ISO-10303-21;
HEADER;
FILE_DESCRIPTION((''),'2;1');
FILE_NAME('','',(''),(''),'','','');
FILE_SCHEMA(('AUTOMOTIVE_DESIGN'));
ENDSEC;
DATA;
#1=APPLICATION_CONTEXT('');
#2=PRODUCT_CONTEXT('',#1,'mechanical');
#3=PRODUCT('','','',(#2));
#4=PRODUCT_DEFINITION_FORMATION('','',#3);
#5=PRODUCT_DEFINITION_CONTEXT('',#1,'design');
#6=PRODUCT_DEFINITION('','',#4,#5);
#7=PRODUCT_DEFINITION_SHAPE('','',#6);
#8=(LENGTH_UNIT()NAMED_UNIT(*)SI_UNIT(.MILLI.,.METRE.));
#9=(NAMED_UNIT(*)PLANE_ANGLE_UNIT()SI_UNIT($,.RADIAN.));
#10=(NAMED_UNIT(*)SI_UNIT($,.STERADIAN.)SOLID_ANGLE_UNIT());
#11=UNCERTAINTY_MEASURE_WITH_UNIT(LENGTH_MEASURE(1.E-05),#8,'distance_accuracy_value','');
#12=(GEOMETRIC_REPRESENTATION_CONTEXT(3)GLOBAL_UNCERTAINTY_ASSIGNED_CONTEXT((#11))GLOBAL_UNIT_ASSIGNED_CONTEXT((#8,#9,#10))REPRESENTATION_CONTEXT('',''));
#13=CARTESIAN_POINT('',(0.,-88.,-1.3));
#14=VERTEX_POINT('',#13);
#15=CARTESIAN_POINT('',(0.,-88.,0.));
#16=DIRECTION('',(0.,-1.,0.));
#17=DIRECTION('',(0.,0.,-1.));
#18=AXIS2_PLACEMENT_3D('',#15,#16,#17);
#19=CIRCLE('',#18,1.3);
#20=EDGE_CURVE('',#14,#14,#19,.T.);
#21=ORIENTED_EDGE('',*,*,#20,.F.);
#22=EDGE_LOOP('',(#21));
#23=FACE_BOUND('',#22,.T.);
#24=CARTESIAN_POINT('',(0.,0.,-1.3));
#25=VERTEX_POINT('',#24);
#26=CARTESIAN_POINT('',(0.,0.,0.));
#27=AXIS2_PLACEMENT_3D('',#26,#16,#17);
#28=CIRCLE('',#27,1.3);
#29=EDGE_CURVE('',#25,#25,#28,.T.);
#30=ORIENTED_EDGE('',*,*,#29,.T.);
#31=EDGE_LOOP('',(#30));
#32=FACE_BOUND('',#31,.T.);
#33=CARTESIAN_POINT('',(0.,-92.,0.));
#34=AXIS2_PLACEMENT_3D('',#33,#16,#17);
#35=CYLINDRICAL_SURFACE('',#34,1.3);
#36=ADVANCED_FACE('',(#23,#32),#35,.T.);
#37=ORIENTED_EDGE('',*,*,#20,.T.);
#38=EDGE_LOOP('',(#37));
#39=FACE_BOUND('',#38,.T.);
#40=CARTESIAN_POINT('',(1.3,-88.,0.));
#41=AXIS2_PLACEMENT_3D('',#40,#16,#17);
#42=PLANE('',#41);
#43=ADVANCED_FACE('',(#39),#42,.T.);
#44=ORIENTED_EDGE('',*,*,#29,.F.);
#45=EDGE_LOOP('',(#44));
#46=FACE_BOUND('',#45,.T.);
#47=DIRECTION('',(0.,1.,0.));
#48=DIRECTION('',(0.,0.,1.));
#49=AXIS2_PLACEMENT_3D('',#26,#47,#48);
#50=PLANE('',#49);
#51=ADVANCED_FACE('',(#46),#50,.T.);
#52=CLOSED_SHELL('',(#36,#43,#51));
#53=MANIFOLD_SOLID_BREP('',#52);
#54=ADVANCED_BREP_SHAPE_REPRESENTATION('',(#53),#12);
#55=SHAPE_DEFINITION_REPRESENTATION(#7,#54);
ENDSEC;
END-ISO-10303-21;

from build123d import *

# Parameters (mm, degrees)
SKETCH1_W = 1.3
SKETCH1_H = 88


with BuildPart() as part:
    # Sketch1 → Tendon (revolve)
    with BuildSketch(Plane.XY, mode=Mode.PRIVATE) as tendon_sk:
        with Locations((0.65, -44)):
            Rectangle(SKETCH1_W, SKETCH1_H)
    revolve(tendon_sk.sketch.rotate(Axis((0, -92, 0), (0, 1, 0)), 90), axis=Axis((0, -92, 0), (0, 1, 0)))


solid = part.part
